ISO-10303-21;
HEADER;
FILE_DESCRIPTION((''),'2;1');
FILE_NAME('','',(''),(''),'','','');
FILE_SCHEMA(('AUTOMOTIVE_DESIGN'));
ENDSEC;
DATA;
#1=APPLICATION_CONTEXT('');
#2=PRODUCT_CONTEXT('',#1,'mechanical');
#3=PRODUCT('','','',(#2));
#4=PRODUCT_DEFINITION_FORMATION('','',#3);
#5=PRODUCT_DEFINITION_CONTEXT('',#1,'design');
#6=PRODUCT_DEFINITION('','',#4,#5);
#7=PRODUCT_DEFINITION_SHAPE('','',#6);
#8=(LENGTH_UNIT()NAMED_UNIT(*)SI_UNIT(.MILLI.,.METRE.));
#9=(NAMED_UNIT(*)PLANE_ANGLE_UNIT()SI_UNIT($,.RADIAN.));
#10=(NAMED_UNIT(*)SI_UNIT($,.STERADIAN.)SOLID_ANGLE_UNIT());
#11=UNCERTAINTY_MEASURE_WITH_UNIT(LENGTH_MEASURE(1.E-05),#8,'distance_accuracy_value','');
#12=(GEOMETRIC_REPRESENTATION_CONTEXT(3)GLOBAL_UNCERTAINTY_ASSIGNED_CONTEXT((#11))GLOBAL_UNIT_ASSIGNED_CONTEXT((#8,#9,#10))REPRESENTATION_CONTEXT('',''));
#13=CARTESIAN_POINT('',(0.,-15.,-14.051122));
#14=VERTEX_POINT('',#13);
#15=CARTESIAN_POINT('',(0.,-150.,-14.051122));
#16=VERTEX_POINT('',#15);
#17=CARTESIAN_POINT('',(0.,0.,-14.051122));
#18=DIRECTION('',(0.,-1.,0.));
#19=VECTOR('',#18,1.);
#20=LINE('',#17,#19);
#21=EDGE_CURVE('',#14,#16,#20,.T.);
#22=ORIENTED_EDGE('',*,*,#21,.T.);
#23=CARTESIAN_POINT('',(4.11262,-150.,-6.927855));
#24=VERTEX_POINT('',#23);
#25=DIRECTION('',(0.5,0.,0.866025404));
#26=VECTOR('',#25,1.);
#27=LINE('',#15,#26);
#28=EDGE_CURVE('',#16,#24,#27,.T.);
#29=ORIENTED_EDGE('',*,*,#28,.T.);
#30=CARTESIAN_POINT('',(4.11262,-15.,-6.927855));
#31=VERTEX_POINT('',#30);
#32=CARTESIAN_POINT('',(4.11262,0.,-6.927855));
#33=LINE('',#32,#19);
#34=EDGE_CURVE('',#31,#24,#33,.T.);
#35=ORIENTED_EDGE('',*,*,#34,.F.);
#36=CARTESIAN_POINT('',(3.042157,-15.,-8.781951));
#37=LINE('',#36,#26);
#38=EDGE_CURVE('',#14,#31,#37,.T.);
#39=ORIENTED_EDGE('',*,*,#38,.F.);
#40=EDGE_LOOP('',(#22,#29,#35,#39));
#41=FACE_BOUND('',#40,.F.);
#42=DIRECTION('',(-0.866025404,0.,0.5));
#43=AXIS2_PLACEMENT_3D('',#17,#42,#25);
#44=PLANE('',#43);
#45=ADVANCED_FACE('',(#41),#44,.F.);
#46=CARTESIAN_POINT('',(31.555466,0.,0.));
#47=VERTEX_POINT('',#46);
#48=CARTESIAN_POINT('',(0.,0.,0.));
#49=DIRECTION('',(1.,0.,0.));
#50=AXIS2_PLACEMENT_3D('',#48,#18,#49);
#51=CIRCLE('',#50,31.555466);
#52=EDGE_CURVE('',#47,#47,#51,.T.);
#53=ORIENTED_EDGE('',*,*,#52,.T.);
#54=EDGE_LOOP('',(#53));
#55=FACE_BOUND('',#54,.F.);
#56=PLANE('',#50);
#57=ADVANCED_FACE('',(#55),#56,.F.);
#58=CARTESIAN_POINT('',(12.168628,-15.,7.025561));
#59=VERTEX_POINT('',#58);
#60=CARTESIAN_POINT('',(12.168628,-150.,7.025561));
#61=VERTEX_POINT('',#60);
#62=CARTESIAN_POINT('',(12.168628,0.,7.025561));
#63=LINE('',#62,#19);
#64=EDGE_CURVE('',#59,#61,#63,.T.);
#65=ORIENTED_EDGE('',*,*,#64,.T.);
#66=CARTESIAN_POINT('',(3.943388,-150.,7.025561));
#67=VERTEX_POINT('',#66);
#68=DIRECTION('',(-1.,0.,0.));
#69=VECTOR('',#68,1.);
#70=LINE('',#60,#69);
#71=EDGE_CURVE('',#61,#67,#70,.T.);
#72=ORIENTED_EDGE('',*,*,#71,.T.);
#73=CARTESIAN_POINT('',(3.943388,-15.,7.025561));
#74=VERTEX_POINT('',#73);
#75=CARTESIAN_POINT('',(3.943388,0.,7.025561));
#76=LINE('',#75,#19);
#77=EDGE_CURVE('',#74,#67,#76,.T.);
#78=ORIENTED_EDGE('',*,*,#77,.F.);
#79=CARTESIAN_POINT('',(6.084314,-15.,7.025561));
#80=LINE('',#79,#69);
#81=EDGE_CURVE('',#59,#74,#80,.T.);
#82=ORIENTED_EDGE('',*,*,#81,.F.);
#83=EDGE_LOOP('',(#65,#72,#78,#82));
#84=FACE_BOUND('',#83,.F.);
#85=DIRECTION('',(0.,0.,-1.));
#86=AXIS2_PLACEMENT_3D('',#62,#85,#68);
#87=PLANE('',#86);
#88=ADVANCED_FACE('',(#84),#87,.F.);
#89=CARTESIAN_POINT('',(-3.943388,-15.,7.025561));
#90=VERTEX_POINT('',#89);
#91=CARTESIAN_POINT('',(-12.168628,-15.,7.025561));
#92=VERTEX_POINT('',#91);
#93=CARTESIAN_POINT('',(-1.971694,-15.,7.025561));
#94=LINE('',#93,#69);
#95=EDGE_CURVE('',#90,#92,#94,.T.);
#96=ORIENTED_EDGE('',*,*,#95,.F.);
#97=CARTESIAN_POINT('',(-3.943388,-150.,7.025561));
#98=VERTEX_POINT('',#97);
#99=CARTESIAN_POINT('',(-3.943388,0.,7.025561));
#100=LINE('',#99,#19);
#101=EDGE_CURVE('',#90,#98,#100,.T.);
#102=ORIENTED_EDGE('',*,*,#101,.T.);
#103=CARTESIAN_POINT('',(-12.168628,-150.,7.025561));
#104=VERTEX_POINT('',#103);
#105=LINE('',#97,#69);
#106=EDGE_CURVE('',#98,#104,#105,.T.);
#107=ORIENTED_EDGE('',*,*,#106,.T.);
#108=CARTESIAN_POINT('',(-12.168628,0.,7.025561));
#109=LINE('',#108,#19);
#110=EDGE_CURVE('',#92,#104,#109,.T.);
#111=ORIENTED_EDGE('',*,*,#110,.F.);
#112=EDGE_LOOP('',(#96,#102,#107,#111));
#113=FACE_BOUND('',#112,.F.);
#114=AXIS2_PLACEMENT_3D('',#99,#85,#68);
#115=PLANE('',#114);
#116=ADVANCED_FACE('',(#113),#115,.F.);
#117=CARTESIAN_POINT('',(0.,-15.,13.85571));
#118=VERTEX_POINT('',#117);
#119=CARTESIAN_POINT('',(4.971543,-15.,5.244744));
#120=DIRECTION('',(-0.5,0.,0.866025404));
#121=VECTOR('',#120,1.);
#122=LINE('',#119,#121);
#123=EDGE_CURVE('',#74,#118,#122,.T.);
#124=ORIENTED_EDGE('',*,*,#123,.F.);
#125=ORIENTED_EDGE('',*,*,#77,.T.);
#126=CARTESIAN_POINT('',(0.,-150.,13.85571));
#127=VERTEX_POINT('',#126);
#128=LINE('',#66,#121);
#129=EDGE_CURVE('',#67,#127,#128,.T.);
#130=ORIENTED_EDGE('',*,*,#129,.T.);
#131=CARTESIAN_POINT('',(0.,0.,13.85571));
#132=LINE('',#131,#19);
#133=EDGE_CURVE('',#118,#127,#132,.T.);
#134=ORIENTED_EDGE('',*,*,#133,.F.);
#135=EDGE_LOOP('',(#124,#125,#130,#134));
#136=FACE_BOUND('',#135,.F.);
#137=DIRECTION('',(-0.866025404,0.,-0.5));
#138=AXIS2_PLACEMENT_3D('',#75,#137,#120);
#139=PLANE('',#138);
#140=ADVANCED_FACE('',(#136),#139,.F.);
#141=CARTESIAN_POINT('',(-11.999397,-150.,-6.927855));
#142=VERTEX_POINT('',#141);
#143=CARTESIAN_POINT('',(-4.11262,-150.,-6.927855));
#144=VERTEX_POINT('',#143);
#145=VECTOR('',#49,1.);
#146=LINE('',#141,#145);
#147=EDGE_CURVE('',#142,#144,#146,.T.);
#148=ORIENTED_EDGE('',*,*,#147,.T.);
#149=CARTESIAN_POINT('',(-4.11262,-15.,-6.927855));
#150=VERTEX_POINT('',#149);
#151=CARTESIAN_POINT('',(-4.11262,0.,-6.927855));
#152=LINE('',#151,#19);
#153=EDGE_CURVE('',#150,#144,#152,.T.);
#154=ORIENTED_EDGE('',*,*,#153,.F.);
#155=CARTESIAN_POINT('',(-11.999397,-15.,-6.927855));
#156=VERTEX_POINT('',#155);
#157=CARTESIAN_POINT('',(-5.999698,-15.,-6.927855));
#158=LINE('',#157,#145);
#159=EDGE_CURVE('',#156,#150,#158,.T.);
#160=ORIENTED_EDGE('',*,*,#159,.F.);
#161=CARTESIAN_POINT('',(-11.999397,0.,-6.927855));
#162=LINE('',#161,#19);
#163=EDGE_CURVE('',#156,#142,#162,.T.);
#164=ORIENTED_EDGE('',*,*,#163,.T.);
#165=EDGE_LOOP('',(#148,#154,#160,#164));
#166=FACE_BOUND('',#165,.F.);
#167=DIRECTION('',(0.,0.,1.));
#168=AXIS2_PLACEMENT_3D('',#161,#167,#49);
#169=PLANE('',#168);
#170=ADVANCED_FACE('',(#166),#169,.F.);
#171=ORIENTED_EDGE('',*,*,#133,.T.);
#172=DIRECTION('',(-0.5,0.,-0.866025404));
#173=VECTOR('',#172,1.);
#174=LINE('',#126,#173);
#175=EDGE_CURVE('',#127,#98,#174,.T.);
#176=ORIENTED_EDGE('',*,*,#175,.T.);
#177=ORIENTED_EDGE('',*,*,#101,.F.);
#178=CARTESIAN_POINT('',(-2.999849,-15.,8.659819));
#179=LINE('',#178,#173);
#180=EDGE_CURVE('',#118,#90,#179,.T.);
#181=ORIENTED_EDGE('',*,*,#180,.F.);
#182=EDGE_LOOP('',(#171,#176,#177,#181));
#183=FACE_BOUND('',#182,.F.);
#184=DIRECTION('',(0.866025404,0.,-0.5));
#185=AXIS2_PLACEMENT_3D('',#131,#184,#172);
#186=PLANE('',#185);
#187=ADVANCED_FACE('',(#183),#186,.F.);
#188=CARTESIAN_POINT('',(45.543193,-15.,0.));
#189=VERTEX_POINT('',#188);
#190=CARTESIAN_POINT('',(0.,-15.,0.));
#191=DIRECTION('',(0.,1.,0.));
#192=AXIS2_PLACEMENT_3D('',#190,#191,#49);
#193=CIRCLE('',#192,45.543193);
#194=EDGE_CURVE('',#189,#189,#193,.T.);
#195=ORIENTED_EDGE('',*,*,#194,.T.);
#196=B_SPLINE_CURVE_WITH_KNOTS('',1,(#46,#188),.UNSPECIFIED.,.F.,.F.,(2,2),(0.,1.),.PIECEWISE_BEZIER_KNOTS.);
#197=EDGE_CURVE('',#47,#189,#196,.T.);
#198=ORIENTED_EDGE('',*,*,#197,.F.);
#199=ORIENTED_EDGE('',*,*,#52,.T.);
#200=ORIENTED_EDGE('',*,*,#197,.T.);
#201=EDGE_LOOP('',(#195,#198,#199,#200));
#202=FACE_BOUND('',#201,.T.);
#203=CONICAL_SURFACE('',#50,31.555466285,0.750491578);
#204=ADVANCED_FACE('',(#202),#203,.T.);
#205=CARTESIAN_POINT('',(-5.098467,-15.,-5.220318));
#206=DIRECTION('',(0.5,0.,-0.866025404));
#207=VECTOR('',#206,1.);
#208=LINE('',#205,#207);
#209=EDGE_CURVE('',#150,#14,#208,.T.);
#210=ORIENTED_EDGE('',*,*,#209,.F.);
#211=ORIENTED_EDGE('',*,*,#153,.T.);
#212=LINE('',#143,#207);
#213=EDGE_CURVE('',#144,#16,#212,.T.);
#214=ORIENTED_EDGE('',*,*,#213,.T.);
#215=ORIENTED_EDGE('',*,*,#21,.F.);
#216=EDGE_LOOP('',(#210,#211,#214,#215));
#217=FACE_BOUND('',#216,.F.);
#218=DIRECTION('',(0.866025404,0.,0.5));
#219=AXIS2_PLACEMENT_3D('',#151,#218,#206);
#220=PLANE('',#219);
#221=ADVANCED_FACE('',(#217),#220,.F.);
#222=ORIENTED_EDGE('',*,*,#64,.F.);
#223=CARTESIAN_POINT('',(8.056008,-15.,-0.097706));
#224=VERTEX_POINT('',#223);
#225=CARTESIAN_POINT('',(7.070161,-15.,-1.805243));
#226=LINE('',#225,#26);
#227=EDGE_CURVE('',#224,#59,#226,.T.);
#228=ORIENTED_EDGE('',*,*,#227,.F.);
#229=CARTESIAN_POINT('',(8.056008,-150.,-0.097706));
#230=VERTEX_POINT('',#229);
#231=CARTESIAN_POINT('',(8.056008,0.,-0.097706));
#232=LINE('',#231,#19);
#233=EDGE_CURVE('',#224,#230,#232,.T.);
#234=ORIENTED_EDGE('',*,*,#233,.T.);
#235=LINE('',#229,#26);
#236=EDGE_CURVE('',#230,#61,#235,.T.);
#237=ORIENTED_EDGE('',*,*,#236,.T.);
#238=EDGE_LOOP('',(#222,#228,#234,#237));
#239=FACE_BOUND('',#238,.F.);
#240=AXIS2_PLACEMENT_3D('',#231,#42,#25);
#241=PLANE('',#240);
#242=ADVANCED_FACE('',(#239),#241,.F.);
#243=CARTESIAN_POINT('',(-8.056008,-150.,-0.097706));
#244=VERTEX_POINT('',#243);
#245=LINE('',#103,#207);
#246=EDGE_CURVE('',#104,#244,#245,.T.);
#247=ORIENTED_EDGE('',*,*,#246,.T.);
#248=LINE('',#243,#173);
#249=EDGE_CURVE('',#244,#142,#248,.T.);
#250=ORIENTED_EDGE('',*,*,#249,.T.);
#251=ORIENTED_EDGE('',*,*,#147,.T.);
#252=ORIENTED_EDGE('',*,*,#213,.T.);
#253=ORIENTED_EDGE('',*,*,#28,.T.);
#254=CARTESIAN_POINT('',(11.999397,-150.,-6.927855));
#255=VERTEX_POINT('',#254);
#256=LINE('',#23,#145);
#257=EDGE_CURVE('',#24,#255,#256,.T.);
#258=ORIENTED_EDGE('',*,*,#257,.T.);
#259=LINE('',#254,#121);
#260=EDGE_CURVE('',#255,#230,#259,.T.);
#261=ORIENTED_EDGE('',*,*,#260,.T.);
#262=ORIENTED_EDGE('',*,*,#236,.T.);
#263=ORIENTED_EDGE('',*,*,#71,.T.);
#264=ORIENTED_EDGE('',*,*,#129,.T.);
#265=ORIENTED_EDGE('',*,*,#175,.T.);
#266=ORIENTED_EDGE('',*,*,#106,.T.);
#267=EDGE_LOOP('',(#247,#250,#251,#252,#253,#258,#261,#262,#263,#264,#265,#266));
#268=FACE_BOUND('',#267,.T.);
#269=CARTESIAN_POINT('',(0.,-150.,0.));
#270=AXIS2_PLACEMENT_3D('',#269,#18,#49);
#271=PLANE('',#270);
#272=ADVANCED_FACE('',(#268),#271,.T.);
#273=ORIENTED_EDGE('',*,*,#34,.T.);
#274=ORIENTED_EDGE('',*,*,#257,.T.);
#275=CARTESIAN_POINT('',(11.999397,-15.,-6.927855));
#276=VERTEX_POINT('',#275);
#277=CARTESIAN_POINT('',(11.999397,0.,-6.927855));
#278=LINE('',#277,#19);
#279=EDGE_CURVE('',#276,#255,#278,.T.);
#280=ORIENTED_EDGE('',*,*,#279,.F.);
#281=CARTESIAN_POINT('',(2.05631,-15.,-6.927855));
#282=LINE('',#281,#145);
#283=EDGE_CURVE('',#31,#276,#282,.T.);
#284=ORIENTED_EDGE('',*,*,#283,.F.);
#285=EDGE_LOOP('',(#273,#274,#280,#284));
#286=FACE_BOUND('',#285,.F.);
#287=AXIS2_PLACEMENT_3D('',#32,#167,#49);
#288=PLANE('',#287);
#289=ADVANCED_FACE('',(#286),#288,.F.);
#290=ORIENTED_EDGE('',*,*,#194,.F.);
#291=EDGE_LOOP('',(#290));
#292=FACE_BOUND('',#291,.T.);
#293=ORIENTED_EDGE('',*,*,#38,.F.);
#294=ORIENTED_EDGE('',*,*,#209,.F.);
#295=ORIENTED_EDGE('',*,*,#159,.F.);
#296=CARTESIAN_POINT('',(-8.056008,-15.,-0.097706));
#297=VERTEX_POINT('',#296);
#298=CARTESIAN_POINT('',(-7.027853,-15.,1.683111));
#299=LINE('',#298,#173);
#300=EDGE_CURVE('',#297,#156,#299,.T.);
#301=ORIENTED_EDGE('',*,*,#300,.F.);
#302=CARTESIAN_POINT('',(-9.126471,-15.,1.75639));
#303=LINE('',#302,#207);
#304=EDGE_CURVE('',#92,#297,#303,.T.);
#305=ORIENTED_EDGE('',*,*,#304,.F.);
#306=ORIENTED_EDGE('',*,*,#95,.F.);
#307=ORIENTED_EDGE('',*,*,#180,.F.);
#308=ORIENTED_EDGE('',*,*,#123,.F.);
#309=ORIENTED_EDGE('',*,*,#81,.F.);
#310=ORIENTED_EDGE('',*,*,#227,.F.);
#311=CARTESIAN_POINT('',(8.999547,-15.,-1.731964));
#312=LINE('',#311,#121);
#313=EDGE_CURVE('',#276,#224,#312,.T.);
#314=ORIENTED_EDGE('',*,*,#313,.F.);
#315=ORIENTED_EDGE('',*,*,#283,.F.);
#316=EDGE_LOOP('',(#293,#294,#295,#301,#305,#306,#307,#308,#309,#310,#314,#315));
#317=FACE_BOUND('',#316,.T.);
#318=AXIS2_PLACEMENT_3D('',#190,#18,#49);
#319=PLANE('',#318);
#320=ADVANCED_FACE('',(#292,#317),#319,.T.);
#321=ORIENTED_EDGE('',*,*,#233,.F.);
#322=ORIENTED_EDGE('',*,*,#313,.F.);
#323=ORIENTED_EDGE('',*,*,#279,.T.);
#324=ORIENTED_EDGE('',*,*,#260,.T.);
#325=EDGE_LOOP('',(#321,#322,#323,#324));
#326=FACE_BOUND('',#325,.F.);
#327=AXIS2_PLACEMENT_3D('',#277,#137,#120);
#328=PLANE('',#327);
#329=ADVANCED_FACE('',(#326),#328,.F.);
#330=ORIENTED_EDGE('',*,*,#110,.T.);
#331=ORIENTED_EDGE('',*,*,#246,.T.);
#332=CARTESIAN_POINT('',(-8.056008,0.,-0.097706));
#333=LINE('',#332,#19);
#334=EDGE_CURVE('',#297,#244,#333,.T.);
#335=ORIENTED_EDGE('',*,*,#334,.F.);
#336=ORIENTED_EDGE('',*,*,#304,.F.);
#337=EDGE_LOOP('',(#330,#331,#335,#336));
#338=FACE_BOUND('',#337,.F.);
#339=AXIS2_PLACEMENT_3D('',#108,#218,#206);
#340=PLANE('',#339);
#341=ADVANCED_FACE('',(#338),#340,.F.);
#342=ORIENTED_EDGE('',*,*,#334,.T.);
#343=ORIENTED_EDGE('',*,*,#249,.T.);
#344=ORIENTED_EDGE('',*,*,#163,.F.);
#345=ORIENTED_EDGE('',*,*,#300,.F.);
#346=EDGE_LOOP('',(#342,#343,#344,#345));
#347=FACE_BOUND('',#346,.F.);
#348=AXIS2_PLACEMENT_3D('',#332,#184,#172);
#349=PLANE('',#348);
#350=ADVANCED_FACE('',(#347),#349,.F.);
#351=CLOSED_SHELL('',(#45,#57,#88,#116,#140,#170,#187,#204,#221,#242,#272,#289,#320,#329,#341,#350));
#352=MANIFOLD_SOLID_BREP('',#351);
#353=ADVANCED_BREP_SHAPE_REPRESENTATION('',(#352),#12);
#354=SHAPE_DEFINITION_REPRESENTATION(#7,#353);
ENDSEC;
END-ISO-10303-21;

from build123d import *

# Parameters (mm, degrees)
F1_DEPTH = 150
F2_R     = 31.555466285
F3_DEPTH = 15
F3_TAPER = -43


with BuildPart() as f1:
    # F0 (on Front) → F1 (new body)
    with BuildSketch(Plane.XZ):
        Polygon((4.1126201522, -6.9278548141), (11.9993965254, -6.9278548141), (8.0560083388, -0.0977061209), (12.168628491, 7.025560935), (3.9433881866, 7.025560935), (0, 13.8557096282), (-3.9433881866, 7.025560935), (-12.168628491, 7.025560935), (-8.0560083388, -0.0977061209), (-11.9993965254, -6.9278548141), (-4.1126201522, -6.9278548141), (0, -14.0511218699), align=None)
    extrude(amount=F1_DEPTH)

    # F2 (on Front) → F3 (join)
    with BuildSketch(Plane.XZ):
        Circle(F2_R)
    extrude(amount=F3_DEPTH, taper=F3_TAPER)


solid = f1.part
